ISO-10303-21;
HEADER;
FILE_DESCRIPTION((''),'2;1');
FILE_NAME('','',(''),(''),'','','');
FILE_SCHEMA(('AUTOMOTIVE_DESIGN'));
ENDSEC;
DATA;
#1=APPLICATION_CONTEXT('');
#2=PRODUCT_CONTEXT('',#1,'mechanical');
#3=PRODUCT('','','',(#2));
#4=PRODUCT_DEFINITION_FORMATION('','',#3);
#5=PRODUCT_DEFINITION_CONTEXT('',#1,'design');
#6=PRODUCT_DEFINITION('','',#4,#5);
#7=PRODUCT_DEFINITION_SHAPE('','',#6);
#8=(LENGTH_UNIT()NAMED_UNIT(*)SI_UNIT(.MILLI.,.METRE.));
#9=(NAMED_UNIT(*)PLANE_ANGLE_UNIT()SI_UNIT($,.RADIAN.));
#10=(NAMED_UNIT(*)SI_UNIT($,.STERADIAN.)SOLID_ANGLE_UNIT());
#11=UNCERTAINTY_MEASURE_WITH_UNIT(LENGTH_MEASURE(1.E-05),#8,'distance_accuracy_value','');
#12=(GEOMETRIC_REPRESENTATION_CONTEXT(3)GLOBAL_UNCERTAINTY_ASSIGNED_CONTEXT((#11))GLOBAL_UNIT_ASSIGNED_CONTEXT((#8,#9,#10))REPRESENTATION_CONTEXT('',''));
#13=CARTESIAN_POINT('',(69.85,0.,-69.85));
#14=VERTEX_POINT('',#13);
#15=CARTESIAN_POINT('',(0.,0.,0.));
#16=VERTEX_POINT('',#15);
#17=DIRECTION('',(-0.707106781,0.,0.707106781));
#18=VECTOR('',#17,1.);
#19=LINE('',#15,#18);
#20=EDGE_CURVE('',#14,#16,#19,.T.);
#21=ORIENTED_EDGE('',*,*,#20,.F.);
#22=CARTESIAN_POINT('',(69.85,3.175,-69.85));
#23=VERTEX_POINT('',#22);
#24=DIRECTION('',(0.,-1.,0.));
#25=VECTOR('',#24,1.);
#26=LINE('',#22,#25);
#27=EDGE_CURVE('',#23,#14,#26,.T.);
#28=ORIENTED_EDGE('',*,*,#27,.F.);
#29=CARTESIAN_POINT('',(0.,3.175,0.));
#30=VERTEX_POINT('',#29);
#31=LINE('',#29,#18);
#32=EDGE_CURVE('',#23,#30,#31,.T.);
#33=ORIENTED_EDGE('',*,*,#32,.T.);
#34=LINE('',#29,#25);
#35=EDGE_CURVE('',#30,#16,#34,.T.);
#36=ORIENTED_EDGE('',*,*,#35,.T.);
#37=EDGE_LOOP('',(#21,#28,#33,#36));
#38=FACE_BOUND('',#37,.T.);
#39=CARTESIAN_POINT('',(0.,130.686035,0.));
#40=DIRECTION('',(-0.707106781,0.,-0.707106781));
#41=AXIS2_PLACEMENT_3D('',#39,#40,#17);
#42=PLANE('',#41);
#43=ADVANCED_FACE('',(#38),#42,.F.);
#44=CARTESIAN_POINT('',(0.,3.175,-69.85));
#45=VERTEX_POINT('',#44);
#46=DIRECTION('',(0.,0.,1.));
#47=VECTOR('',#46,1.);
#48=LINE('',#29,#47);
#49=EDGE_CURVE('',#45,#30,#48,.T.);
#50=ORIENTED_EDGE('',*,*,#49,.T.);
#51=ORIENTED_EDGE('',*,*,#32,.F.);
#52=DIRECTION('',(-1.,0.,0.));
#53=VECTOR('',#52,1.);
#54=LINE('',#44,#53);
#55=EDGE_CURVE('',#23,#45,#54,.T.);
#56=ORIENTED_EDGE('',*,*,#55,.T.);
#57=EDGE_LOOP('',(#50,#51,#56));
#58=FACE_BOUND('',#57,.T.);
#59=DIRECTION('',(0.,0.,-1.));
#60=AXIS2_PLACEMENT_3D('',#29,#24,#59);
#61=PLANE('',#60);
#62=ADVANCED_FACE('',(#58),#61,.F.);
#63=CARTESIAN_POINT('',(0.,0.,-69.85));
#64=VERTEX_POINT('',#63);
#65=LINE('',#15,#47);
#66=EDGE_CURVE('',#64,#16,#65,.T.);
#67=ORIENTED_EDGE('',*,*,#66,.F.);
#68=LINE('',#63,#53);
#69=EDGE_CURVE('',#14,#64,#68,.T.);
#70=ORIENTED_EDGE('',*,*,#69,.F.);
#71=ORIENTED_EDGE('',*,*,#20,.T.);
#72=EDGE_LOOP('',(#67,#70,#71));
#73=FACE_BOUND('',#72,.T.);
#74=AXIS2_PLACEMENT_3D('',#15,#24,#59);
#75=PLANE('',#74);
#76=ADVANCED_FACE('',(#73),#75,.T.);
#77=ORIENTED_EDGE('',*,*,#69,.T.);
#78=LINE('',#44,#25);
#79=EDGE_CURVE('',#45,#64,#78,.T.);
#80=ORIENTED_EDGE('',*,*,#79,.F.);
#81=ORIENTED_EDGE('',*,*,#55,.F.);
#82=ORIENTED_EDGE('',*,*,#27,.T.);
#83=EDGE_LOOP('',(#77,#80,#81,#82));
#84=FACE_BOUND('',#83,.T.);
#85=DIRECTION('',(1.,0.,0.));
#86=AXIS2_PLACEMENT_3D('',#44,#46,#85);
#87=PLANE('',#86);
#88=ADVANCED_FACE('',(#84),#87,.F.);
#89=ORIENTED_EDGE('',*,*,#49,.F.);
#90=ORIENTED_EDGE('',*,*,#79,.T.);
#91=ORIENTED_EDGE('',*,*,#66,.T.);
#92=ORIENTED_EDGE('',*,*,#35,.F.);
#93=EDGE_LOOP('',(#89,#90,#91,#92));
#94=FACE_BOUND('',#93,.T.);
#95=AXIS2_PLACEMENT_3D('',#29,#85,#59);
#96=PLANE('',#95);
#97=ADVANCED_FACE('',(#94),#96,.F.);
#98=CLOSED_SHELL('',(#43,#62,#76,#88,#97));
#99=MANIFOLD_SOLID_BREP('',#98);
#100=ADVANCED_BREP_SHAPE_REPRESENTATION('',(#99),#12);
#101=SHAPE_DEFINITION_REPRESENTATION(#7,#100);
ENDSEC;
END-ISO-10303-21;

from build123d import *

# Parameters (mm, degrees)
SKETCH1_W               = 69.85
SKETCH1_H               = 69.85
BOSS_EXTRUDE1_DEPTH     = 3.175
CUT_EXTRUDE2_DEPTH      = 99.833828343
CUT_EXTRUDE2_DEPTH_BACK = 3.175


with BuildPart() as part:
    # Sketch1 → Boss-Extrude1 (new body)
    with BuildSketch(Plane(origin=(0, 0, 0), x_dir=(1, 0, 0), z_dir=(0, 1, 0))):
        with Locations((34.925, 34.925)):
            Rectangle(SKETCH1_W, SKETCH1_H)
    extrude(amount=BOSS_EXTRUDE1_DEPTH)

    # Sketch2 → Cut-Extrude2 (cut, two sides: drawn at the far end of the back side and taken through both)
    with BuildSketch(Plane(origin=(0, 3.175, 0), x_dir=(1, 0, 0), z_dir=(0, 1, 0)).offset(-CUT_EXTRUDE2_DEPTH_BACK)):
        Polygon((-146.771067812, -146.771067812), (0, 0), (69.85, 69.85), (216.621067812, 216.621067812), (510.163203436, -76.921067812), (146.771067812, -440.313203436), align=None)
    extrude(amount=CUT_EXTRUDE2_DEPTH + CUT_EXTRUDE2_DEPTH_BACK, mode=Mode.SUBTRACT)


solid = part.part
